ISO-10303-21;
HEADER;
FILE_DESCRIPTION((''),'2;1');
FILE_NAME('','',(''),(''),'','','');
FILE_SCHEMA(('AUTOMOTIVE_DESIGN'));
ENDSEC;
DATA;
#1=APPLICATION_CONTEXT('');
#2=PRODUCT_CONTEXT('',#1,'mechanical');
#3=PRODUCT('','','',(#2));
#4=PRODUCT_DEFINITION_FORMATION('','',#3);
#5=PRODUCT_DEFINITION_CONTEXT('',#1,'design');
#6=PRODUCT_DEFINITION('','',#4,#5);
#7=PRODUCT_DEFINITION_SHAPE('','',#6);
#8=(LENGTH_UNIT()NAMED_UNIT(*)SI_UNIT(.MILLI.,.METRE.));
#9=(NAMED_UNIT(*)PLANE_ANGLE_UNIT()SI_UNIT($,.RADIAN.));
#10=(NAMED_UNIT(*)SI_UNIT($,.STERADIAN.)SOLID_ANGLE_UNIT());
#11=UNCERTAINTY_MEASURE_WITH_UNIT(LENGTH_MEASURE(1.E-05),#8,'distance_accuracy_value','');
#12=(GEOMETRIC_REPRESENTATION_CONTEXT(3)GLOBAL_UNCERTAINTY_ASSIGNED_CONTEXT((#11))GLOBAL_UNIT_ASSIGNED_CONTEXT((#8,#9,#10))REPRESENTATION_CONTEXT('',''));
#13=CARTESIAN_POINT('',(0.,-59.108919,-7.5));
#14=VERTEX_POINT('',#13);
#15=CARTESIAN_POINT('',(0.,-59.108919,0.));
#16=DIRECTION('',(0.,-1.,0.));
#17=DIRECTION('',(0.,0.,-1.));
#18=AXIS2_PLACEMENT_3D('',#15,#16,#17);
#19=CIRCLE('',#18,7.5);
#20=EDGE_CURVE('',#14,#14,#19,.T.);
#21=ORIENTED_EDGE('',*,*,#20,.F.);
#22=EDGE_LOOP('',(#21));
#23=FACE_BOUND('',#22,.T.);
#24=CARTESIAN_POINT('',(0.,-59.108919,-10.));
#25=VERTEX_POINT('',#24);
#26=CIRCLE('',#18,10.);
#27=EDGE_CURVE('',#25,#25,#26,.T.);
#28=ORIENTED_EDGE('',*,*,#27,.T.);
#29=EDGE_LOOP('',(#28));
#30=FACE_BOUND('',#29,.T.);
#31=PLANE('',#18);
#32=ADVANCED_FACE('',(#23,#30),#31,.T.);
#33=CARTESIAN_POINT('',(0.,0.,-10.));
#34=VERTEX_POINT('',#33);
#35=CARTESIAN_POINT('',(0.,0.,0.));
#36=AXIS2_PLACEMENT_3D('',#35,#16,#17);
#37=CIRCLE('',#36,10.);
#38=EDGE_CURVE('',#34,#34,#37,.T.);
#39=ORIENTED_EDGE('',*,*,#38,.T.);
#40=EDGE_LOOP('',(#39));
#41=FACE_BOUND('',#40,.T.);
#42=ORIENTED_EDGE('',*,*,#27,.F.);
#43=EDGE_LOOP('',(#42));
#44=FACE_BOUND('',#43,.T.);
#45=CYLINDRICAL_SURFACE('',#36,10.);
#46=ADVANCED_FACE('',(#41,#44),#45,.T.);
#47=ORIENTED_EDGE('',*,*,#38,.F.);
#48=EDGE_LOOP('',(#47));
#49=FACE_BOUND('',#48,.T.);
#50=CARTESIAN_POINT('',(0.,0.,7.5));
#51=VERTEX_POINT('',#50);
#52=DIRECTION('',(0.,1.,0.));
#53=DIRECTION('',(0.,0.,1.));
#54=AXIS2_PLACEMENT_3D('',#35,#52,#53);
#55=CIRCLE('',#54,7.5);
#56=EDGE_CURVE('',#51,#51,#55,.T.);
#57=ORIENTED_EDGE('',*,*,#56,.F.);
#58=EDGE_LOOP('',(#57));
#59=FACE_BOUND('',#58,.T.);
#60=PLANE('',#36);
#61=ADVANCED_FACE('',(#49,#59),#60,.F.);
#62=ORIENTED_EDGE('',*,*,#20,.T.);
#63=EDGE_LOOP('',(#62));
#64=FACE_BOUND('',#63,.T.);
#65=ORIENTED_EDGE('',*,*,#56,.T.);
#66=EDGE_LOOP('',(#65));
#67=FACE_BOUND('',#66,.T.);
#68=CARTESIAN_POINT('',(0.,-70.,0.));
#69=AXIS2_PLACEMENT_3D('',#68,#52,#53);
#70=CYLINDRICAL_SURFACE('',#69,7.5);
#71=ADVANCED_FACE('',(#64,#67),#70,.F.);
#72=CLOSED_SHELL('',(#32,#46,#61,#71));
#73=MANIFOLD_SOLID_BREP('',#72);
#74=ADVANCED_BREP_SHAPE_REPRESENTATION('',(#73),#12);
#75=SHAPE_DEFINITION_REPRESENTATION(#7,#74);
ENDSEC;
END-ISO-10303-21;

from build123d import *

# Parameters (mm, degrees)
SWEEP1_PROFILE_R   = 10
SKETCH3_R          = 7.5
CUT_EXTRUDE2_DEPTH = 70


with BuildPart() as part:
    # Sweep1: sweep along a path in Sketch1
    with BuildLine(Plane.XY) as sweep1_path:
        Line((0, 0), (0, -59.1089185))
    # Sweep1 profile (on start of the path) → Sweep1 (sweep)
    with BuildSketch(Plane(origin=(0, 0, 0), x_dir=(0, 0, -1), z_dir=(0, -1, 0))):
        Circle(SWEEP1_PROFILE_R)
    sweep(path=sweep1_path.line)

    # Sketch3 → Cut-Extrude2 (cut)
    with BuildSketch(Plane(origin=(0, 0, 0), x_dir=(1, 0, 0), z_dir=(0, 1, 0))):
        with Locations(Location((0, 0, 0), (0, 0, 270))):
            Circle(SKETCH3_R)
    extrude(amount=-CUT_EXTRUDE2_DEPTH, mode=Mode.SUBTRACT)


solid = part.part
